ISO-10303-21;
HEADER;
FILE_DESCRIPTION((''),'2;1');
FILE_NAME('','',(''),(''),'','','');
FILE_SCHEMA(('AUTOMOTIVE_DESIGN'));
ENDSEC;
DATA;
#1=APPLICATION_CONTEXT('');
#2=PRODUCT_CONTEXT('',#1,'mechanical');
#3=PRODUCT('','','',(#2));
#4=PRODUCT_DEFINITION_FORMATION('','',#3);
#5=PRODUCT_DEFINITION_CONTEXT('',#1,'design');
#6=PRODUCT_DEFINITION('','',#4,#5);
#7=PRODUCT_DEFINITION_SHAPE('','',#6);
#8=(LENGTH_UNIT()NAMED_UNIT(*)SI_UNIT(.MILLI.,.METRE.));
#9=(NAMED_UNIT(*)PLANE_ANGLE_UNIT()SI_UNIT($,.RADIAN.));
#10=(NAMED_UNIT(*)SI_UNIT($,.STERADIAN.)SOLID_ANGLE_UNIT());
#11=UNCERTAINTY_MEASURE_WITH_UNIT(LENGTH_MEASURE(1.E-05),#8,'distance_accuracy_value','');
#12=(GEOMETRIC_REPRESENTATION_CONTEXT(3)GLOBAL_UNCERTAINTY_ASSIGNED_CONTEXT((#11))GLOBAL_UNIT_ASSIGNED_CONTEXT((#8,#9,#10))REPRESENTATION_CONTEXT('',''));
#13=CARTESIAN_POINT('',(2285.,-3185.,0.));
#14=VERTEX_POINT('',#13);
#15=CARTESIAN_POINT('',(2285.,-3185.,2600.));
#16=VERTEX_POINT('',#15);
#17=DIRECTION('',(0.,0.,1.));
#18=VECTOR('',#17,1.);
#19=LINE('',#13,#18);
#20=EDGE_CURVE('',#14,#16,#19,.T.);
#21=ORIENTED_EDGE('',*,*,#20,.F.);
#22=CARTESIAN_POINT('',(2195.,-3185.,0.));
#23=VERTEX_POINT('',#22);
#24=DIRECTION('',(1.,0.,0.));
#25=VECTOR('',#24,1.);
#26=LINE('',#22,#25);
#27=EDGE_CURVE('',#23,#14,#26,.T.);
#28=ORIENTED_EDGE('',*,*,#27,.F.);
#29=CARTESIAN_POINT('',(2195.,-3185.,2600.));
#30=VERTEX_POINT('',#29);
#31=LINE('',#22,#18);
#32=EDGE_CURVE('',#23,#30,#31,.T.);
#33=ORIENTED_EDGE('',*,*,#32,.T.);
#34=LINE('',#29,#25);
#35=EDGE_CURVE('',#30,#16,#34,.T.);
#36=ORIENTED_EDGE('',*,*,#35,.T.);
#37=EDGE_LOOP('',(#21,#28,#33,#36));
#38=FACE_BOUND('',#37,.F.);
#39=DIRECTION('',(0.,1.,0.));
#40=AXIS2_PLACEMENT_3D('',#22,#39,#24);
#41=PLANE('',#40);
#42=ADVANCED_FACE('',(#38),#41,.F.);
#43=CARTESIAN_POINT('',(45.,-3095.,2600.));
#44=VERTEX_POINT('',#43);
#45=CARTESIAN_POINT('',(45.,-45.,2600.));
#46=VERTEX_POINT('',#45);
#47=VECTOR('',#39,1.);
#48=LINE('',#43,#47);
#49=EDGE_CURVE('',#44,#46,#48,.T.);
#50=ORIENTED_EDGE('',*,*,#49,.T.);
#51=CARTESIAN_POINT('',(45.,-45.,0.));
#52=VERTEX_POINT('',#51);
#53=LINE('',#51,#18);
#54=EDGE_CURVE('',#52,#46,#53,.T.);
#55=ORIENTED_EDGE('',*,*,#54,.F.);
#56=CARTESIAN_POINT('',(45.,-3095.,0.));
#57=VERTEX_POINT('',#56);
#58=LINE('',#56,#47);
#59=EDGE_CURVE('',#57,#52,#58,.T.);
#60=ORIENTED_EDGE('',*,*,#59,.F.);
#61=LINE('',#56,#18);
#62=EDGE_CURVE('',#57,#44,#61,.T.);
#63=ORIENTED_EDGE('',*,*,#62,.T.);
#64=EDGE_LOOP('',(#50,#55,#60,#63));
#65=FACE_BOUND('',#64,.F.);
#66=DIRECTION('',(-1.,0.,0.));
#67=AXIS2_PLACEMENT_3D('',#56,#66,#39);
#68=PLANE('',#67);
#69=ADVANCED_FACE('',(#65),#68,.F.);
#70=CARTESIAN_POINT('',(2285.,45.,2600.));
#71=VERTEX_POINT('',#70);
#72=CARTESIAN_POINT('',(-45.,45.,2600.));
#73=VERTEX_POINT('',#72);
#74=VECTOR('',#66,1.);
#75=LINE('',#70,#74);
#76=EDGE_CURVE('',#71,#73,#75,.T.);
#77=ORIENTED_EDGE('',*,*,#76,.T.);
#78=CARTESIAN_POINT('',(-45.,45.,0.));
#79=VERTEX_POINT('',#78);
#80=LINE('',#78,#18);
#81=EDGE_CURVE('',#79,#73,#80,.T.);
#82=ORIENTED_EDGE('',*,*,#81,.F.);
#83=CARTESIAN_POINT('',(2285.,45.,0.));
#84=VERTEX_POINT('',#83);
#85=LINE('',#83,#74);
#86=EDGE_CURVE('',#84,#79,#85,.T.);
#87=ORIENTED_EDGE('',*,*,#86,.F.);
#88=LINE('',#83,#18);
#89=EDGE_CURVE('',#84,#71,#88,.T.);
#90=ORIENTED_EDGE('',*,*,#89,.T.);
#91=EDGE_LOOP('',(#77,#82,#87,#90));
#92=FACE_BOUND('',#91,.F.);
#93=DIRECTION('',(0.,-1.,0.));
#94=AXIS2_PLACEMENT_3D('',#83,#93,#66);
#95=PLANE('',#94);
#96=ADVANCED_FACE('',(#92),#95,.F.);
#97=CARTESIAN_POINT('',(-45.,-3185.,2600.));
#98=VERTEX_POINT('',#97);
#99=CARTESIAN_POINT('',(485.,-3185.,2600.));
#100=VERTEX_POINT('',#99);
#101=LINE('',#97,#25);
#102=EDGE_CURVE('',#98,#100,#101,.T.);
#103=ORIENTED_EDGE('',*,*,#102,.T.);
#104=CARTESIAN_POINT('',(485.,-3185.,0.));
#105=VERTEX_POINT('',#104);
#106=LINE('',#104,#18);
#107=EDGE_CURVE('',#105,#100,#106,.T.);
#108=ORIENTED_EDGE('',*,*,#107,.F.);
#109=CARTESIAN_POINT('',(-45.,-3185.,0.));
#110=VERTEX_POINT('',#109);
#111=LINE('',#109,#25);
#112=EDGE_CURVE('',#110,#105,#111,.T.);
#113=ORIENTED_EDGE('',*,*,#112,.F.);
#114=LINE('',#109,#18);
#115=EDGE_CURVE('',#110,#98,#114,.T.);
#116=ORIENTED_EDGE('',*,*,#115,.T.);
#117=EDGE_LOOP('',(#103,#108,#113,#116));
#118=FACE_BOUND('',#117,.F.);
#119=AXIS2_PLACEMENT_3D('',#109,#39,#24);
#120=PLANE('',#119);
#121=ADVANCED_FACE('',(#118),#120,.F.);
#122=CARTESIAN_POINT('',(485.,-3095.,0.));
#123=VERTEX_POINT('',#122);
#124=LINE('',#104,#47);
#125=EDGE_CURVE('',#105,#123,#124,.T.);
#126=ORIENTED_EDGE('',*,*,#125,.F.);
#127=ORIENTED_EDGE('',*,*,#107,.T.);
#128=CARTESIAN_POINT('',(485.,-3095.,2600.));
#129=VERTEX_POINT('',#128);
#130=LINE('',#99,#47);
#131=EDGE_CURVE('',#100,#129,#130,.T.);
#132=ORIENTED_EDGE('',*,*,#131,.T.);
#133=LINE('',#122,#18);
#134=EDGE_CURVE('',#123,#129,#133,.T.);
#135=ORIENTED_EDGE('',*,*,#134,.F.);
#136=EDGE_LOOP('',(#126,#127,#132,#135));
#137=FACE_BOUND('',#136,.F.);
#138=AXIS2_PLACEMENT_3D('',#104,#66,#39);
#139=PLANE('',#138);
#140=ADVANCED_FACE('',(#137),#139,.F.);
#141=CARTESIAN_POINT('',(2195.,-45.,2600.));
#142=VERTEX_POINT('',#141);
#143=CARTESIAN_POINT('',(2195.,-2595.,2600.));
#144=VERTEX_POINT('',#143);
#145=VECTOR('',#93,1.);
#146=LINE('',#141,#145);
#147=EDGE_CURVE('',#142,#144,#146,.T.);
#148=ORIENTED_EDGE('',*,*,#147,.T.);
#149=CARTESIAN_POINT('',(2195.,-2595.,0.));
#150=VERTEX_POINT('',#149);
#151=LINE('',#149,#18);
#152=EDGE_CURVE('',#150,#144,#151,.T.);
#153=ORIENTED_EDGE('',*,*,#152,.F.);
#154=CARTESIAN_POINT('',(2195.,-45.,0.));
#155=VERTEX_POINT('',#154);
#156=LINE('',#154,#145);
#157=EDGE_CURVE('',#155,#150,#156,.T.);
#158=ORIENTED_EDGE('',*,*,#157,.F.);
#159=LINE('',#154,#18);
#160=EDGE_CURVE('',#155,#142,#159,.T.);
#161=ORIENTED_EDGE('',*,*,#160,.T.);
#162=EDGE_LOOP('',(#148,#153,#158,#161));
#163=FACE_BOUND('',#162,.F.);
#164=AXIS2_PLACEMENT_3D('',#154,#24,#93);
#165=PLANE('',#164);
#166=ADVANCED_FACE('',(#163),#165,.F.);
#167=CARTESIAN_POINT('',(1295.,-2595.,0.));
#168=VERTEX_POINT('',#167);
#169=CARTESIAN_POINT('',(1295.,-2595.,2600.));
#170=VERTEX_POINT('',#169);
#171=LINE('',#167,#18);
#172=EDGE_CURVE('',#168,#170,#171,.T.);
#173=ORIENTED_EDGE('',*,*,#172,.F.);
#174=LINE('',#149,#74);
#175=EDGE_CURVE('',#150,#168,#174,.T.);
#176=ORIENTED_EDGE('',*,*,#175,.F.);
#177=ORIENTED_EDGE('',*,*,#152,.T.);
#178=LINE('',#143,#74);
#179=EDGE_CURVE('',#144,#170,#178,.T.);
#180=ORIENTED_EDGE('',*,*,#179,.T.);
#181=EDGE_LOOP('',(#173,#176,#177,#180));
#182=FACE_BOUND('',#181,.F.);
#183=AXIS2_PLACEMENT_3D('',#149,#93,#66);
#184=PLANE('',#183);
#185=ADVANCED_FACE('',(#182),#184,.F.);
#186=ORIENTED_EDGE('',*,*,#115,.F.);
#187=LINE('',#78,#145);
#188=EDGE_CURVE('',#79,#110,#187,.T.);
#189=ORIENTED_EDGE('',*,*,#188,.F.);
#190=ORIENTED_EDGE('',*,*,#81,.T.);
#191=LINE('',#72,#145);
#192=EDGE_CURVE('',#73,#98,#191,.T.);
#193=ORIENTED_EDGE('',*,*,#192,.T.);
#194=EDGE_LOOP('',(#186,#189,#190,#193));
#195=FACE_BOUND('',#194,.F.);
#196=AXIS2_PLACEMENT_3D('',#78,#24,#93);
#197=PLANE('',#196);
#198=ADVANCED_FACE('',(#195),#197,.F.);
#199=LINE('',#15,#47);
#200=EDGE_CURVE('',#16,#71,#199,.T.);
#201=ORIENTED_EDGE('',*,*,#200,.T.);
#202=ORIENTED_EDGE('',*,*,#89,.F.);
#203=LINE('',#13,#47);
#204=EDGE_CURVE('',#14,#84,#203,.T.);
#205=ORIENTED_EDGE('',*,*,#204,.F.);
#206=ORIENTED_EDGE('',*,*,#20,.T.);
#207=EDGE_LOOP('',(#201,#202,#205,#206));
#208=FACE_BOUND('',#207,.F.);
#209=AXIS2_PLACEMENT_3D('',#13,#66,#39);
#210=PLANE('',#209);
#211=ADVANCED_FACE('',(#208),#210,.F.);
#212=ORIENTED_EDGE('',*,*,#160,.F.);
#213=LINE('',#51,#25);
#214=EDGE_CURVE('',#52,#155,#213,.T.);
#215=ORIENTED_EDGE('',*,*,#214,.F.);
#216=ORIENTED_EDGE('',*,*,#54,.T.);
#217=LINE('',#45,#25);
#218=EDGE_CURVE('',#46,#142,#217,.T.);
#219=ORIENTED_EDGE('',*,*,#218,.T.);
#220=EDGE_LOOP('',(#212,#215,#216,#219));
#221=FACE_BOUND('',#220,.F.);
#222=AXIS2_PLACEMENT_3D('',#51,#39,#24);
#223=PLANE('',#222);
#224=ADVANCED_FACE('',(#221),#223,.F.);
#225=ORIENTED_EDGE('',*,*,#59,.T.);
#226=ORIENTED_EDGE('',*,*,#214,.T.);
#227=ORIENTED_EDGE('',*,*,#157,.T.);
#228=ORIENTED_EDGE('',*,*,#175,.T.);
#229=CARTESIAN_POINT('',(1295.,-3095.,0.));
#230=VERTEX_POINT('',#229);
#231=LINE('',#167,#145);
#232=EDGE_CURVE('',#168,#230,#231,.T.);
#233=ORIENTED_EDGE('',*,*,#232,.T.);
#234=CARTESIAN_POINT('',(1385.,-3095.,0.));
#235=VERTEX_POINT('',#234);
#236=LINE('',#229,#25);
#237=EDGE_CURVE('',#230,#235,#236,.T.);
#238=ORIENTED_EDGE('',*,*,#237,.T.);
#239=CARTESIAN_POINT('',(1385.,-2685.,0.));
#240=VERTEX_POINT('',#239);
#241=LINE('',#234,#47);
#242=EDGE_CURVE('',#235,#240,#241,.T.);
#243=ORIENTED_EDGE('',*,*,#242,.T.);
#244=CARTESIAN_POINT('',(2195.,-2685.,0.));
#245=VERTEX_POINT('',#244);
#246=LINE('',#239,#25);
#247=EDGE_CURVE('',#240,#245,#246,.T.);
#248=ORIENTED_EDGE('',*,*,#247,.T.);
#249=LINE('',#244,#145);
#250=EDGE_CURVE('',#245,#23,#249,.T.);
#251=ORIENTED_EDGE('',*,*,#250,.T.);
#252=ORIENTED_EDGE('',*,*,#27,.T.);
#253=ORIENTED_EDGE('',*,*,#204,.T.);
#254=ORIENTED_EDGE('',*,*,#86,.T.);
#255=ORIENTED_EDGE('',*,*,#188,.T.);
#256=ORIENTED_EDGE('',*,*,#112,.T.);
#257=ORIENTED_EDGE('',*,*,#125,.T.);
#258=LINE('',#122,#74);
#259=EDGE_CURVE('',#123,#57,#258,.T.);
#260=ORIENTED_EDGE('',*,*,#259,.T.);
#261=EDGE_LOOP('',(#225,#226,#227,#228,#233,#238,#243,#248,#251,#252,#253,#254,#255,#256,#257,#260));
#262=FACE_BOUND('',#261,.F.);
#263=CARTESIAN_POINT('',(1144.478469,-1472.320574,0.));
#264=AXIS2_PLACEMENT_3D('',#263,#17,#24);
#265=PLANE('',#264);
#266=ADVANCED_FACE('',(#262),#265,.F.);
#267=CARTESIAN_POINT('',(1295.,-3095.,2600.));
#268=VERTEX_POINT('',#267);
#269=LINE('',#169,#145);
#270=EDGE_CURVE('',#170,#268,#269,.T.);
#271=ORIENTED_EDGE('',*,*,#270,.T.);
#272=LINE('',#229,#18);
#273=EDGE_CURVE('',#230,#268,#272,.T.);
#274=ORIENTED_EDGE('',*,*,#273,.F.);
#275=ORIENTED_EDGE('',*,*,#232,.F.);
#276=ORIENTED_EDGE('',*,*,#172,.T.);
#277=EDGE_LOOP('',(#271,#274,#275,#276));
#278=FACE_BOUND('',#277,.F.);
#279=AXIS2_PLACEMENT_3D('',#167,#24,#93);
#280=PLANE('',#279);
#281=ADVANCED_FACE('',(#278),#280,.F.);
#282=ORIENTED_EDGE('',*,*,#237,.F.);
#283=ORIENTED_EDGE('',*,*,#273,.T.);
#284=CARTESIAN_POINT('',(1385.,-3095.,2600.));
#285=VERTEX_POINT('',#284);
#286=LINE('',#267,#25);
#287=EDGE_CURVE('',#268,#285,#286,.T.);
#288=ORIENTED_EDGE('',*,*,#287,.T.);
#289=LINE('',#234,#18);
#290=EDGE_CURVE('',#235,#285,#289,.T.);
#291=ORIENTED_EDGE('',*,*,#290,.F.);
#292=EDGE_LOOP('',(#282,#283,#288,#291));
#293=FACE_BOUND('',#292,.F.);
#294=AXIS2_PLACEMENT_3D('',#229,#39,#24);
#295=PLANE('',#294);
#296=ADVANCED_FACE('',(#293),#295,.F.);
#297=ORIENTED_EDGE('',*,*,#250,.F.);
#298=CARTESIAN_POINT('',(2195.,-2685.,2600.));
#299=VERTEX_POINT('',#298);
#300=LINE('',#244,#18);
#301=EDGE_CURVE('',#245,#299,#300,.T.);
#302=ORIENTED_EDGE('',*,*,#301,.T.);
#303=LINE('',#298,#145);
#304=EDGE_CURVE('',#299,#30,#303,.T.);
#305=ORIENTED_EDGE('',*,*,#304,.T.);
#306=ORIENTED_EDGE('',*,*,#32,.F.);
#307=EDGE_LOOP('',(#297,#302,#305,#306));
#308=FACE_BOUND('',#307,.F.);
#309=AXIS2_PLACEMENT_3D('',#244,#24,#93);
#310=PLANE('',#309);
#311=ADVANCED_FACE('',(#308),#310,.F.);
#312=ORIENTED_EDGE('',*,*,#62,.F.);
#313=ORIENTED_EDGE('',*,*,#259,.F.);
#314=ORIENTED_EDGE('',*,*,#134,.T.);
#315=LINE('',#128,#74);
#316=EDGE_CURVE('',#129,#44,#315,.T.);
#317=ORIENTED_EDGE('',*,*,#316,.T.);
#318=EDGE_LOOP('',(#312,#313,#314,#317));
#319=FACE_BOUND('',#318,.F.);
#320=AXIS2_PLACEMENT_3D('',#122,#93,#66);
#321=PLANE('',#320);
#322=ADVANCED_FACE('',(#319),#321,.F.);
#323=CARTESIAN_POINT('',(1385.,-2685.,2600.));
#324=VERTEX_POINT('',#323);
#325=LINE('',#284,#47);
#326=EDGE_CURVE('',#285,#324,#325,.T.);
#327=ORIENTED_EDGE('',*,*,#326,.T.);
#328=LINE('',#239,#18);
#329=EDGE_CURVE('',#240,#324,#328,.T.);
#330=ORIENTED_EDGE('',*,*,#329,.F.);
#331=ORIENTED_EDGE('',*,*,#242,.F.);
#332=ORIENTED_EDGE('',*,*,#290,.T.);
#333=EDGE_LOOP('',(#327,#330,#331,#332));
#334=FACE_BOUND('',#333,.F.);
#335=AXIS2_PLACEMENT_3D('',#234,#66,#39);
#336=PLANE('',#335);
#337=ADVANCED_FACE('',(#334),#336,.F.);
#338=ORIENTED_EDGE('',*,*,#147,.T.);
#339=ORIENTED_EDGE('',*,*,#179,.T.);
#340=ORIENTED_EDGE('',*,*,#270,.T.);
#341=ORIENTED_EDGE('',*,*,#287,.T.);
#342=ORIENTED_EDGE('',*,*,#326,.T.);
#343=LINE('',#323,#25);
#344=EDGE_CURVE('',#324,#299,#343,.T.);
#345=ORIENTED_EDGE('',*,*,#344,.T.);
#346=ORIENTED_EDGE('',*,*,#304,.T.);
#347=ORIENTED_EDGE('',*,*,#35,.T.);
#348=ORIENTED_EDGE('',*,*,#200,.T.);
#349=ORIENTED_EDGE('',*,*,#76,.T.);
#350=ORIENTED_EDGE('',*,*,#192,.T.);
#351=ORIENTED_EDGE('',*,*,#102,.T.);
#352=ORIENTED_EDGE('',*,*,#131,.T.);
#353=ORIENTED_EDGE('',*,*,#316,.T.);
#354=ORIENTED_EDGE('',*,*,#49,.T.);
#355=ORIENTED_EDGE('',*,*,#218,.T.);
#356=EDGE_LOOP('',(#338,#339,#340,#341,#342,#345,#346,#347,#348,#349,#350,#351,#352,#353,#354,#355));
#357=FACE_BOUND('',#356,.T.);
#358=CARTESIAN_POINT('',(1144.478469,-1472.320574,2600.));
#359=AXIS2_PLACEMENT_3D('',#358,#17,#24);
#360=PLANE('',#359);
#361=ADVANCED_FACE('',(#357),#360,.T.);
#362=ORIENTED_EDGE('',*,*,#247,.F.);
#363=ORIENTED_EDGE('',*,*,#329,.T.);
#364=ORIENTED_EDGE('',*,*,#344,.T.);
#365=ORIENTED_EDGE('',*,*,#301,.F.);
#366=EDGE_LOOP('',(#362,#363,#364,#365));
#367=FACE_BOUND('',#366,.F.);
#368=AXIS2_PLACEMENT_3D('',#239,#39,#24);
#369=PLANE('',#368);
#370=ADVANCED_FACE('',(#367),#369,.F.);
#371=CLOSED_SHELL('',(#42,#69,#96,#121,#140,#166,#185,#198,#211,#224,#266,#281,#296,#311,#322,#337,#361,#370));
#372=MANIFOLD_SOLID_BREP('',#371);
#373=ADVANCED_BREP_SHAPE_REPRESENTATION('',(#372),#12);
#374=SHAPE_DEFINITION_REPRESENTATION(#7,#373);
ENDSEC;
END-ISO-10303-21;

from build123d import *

# Parameters (mm, degrees)
F1_DEPTH = 2600


with BuildPart() as f1:
    # F0 (on Top) → F1 (new body)
    with BuildSketch(Plane.XY):
        Polygon((45, -45), (2195, -45), (2195, -2595), (1295, -2595), (1295, -3095), (1385, -3095), (1385, -2685), (2195, -2685), (2195, -3185), (2285, -3185), (2285, 45), (-45, 45), (-45, -3185), (485, -3185), (485, -3095), (45, -3095), align=None)
    extrude(amount=F1_DEPTH)


solid = f1.part
